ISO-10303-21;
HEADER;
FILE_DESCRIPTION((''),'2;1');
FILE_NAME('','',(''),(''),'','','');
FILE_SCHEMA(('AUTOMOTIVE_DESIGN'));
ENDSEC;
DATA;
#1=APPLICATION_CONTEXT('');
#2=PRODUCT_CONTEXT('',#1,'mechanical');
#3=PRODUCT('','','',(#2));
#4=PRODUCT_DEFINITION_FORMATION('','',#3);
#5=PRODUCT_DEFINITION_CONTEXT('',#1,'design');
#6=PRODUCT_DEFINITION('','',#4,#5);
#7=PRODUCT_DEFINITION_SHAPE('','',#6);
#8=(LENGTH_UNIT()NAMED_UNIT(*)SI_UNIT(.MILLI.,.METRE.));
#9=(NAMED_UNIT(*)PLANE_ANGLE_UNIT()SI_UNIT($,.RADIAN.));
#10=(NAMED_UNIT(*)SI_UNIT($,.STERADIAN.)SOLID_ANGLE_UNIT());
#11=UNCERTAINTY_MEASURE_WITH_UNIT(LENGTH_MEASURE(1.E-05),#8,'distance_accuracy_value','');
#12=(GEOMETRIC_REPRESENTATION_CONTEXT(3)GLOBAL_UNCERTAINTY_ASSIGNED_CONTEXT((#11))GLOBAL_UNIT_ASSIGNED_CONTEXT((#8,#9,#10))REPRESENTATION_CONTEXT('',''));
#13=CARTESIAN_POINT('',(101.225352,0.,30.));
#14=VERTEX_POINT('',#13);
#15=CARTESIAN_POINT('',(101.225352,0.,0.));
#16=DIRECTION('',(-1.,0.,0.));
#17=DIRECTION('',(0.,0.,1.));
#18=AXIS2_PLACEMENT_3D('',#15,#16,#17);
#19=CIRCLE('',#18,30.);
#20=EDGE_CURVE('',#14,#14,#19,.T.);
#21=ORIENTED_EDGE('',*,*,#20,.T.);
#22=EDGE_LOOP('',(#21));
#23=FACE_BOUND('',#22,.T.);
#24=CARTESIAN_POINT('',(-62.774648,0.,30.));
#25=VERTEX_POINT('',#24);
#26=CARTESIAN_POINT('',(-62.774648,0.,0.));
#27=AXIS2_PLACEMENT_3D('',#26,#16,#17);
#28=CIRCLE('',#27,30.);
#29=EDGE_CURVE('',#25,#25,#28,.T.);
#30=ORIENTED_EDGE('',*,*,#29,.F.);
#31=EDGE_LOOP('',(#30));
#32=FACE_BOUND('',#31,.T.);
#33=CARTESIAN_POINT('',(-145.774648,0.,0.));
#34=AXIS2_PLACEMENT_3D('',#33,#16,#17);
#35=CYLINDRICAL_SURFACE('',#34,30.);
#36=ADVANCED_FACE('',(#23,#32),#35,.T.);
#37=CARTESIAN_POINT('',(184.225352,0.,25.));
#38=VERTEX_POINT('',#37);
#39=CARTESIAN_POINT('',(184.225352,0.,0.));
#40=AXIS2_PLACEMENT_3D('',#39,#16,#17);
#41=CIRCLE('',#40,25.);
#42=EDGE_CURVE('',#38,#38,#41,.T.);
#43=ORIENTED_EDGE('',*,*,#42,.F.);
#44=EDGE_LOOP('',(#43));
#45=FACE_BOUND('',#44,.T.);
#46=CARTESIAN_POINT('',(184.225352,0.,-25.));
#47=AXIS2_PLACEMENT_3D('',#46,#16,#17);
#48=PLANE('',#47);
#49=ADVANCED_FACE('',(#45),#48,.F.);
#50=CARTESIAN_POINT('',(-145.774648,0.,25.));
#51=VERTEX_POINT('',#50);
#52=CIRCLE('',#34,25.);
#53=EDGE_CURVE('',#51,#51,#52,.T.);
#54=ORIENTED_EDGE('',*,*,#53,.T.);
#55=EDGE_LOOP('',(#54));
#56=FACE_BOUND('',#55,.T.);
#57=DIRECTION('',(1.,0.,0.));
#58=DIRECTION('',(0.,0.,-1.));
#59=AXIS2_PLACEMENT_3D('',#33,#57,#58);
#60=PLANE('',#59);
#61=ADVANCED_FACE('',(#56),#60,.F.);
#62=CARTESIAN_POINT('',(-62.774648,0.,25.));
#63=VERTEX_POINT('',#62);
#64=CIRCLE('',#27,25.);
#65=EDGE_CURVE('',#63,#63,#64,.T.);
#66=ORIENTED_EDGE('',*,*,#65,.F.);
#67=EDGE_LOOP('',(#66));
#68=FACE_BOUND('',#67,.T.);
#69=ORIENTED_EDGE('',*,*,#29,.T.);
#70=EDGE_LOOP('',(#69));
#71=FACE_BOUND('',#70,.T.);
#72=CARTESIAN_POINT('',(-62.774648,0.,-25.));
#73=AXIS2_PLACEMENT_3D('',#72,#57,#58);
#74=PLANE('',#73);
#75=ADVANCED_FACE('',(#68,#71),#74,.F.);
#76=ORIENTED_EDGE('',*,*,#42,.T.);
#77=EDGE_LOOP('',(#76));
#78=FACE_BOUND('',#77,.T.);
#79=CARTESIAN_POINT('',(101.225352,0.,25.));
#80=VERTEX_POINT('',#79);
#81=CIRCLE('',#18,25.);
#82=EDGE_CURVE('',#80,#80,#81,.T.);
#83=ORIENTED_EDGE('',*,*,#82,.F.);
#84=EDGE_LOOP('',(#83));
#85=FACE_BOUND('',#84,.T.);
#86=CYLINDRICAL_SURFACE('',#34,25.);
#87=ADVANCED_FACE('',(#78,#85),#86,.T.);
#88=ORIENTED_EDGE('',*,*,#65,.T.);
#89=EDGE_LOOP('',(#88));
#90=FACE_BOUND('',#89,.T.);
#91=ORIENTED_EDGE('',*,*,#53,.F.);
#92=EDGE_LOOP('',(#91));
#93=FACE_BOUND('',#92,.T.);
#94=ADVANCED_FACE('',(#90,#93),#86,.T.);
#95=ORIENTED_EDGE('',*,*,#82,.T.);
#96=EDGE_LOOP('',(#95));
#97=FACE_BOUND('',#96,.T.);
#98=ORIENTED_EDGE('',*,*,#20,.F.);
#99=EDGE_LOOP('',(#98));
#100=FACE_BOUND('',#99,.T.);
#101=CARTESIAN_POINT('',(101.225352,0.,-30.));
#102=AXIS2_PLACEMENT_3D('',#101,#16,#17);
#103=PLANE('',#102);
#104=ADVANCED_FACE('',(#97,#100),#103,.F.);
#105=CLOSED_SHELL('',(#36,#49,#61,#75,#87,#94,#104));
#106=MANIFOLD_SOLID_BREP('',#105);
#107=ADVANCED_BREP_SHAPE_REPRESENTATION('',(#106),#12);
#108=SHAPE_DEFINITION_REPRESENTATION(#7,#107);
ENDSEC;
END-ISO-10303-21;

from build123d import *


with BuildPart() as part:
    # Sketch1 → Revolve2 (revolve)
    with BuildSketch(Plane(origin=(0, 0, 0), x_dir=(1, 0, 0), z_dir=(0, 1, 0)), mode=Mode.PRIVATE) as revolve2_sk:
        Polygon((-145.774647887, 0), (184.225352113, 0), (184.225352113, 25), (101.225352113, 25), (101.225352113, 30), (-62.774647887, 30), (-62.774647887, 25), (-145.774647887, 25), align=None)
    revolve(revolve2_sk.sketch.rotate(Axis((-145.774647887, 0, 0), (1, 0, 0)), 180), axis=Axis((-145.774647887, 0, 0), (1, 0, 0)))


solid = part.part
